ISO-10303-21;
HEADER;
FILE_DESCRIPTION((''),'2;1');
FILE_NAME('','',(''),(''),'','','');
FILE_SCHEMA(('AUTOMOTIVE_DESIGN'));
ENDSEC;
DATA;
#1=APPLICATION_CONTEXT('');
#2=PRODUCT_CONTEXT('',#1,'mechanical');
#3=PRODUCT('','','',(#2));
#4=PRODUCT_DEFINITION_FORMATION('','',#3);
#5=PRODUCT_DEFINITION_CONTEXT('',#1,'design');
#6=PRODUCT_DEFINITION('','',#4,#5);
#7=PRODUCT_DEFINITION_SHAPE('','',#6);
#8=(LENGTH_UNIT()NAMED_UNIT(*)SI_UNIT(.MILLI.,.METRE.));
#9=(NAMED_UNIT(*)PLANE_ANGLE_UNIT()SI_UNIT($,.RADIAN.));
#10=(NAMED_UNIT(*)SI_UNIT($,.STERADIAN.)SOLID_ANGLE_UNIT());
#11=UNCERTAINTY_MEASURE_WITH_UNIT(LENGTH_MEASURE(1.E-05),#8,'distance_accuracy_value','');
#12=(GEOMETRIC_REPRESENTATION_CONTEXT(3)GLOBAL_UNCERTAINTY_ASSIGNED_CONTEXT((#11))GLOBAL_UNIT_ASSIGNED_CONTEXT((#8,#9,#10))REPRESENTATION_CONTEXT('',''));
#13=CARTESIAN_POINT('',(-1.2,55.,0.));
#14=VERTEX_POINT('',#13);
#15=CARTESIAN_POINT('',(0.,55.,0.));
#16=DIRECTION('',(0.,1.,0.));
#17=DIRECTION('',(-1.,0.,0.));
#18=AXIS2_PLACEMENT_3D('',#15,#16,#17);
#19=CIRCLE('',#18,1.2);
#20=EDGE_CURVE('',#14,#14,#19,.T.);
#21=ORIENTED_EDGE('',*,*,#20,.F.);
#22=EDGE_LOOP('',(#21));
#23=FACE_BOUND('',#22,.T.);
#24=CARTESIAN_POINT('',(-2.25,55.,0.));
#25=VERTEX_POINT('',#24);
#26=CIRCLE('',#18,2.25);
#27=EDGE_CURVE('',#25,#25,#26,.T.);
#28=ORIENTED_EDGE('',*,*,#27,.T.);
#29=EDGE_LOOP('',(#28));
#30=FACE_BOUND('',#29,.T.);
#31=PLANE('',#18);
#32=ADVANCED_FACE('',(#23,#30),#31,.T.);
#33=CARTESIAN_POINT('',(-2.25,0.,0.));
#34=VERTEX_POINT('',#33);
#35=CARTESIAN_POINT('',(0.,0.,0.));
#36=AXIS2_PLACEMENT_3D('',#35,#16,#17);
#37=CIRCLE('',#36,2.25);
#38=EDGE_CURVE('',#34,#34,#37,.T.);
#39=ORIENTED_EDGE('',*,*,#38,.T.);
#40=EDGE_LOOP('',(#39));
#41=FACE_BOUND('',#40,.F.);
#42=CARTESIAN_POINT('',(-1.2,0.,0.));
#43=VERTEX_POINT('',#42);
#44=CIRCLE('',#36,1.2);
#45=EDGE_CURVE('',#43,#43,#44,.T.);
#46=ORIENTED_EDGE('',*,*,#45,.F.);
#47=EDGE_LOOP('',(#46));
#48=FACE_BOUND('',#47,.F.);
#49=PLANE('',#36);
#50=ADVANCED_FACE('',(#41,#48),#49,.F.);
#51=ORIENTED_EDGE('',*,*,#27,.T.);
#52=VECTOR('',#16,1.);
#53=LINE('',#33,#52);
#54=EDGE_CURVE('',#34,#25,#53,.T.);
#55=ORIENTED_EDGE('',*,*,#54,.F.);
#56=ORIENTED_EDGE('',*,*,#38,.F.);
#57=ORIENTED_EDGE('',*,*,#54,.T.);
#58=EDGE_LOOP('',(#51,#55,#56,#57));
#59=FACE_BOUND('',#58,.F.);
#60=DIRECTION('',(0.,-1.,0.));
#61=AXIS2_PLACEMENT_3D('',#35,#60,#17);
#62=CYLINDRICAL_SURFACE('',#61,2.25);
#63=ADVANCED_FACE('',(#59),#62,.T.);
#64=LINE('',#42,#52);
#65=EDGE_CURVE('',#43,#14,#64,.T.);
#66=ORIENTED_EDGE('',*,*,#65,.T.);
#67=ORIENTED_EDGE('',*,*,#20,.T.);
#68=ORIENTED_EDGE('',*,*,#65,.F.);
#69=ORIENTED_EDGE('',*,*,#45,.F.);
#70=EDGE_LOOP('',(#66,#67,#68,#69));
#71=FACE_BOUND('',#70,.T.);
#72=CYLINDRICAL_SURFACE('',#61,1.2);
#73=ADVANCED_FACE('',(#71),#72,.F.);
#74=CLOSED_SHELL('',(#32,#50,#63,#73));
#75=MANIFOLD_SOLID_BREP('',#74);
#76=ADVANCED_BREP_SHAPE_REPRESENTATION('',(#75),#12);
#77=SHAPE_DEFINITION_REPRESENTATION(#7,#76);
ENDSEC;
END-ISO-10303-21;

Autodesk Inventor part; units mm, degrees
ref_plane "YZ Plane" through (0, 0, 0) normal (1, 0, 0) x (0, 1, 0)
ref_plane "XZ Plane" through (0, 0, 0) normal (0, 1, 0) x (-1, 0, 0)
ref_plane "XY Plane" through (0, 0, 0) normal (0, 0, 1) x (1, 0, 0)
sketch "Sketch1" plane through (0, 0, 0) normal (0, 1, 0) x (-1, 0, 0)
  circle A0 centre (0, 0) radius 2.25
  circle A1 centre (0, 0) radius 1.2
extrude "Extrusion1" add sketch "Sketch1" along normal blind 55
properties part number "column1"
